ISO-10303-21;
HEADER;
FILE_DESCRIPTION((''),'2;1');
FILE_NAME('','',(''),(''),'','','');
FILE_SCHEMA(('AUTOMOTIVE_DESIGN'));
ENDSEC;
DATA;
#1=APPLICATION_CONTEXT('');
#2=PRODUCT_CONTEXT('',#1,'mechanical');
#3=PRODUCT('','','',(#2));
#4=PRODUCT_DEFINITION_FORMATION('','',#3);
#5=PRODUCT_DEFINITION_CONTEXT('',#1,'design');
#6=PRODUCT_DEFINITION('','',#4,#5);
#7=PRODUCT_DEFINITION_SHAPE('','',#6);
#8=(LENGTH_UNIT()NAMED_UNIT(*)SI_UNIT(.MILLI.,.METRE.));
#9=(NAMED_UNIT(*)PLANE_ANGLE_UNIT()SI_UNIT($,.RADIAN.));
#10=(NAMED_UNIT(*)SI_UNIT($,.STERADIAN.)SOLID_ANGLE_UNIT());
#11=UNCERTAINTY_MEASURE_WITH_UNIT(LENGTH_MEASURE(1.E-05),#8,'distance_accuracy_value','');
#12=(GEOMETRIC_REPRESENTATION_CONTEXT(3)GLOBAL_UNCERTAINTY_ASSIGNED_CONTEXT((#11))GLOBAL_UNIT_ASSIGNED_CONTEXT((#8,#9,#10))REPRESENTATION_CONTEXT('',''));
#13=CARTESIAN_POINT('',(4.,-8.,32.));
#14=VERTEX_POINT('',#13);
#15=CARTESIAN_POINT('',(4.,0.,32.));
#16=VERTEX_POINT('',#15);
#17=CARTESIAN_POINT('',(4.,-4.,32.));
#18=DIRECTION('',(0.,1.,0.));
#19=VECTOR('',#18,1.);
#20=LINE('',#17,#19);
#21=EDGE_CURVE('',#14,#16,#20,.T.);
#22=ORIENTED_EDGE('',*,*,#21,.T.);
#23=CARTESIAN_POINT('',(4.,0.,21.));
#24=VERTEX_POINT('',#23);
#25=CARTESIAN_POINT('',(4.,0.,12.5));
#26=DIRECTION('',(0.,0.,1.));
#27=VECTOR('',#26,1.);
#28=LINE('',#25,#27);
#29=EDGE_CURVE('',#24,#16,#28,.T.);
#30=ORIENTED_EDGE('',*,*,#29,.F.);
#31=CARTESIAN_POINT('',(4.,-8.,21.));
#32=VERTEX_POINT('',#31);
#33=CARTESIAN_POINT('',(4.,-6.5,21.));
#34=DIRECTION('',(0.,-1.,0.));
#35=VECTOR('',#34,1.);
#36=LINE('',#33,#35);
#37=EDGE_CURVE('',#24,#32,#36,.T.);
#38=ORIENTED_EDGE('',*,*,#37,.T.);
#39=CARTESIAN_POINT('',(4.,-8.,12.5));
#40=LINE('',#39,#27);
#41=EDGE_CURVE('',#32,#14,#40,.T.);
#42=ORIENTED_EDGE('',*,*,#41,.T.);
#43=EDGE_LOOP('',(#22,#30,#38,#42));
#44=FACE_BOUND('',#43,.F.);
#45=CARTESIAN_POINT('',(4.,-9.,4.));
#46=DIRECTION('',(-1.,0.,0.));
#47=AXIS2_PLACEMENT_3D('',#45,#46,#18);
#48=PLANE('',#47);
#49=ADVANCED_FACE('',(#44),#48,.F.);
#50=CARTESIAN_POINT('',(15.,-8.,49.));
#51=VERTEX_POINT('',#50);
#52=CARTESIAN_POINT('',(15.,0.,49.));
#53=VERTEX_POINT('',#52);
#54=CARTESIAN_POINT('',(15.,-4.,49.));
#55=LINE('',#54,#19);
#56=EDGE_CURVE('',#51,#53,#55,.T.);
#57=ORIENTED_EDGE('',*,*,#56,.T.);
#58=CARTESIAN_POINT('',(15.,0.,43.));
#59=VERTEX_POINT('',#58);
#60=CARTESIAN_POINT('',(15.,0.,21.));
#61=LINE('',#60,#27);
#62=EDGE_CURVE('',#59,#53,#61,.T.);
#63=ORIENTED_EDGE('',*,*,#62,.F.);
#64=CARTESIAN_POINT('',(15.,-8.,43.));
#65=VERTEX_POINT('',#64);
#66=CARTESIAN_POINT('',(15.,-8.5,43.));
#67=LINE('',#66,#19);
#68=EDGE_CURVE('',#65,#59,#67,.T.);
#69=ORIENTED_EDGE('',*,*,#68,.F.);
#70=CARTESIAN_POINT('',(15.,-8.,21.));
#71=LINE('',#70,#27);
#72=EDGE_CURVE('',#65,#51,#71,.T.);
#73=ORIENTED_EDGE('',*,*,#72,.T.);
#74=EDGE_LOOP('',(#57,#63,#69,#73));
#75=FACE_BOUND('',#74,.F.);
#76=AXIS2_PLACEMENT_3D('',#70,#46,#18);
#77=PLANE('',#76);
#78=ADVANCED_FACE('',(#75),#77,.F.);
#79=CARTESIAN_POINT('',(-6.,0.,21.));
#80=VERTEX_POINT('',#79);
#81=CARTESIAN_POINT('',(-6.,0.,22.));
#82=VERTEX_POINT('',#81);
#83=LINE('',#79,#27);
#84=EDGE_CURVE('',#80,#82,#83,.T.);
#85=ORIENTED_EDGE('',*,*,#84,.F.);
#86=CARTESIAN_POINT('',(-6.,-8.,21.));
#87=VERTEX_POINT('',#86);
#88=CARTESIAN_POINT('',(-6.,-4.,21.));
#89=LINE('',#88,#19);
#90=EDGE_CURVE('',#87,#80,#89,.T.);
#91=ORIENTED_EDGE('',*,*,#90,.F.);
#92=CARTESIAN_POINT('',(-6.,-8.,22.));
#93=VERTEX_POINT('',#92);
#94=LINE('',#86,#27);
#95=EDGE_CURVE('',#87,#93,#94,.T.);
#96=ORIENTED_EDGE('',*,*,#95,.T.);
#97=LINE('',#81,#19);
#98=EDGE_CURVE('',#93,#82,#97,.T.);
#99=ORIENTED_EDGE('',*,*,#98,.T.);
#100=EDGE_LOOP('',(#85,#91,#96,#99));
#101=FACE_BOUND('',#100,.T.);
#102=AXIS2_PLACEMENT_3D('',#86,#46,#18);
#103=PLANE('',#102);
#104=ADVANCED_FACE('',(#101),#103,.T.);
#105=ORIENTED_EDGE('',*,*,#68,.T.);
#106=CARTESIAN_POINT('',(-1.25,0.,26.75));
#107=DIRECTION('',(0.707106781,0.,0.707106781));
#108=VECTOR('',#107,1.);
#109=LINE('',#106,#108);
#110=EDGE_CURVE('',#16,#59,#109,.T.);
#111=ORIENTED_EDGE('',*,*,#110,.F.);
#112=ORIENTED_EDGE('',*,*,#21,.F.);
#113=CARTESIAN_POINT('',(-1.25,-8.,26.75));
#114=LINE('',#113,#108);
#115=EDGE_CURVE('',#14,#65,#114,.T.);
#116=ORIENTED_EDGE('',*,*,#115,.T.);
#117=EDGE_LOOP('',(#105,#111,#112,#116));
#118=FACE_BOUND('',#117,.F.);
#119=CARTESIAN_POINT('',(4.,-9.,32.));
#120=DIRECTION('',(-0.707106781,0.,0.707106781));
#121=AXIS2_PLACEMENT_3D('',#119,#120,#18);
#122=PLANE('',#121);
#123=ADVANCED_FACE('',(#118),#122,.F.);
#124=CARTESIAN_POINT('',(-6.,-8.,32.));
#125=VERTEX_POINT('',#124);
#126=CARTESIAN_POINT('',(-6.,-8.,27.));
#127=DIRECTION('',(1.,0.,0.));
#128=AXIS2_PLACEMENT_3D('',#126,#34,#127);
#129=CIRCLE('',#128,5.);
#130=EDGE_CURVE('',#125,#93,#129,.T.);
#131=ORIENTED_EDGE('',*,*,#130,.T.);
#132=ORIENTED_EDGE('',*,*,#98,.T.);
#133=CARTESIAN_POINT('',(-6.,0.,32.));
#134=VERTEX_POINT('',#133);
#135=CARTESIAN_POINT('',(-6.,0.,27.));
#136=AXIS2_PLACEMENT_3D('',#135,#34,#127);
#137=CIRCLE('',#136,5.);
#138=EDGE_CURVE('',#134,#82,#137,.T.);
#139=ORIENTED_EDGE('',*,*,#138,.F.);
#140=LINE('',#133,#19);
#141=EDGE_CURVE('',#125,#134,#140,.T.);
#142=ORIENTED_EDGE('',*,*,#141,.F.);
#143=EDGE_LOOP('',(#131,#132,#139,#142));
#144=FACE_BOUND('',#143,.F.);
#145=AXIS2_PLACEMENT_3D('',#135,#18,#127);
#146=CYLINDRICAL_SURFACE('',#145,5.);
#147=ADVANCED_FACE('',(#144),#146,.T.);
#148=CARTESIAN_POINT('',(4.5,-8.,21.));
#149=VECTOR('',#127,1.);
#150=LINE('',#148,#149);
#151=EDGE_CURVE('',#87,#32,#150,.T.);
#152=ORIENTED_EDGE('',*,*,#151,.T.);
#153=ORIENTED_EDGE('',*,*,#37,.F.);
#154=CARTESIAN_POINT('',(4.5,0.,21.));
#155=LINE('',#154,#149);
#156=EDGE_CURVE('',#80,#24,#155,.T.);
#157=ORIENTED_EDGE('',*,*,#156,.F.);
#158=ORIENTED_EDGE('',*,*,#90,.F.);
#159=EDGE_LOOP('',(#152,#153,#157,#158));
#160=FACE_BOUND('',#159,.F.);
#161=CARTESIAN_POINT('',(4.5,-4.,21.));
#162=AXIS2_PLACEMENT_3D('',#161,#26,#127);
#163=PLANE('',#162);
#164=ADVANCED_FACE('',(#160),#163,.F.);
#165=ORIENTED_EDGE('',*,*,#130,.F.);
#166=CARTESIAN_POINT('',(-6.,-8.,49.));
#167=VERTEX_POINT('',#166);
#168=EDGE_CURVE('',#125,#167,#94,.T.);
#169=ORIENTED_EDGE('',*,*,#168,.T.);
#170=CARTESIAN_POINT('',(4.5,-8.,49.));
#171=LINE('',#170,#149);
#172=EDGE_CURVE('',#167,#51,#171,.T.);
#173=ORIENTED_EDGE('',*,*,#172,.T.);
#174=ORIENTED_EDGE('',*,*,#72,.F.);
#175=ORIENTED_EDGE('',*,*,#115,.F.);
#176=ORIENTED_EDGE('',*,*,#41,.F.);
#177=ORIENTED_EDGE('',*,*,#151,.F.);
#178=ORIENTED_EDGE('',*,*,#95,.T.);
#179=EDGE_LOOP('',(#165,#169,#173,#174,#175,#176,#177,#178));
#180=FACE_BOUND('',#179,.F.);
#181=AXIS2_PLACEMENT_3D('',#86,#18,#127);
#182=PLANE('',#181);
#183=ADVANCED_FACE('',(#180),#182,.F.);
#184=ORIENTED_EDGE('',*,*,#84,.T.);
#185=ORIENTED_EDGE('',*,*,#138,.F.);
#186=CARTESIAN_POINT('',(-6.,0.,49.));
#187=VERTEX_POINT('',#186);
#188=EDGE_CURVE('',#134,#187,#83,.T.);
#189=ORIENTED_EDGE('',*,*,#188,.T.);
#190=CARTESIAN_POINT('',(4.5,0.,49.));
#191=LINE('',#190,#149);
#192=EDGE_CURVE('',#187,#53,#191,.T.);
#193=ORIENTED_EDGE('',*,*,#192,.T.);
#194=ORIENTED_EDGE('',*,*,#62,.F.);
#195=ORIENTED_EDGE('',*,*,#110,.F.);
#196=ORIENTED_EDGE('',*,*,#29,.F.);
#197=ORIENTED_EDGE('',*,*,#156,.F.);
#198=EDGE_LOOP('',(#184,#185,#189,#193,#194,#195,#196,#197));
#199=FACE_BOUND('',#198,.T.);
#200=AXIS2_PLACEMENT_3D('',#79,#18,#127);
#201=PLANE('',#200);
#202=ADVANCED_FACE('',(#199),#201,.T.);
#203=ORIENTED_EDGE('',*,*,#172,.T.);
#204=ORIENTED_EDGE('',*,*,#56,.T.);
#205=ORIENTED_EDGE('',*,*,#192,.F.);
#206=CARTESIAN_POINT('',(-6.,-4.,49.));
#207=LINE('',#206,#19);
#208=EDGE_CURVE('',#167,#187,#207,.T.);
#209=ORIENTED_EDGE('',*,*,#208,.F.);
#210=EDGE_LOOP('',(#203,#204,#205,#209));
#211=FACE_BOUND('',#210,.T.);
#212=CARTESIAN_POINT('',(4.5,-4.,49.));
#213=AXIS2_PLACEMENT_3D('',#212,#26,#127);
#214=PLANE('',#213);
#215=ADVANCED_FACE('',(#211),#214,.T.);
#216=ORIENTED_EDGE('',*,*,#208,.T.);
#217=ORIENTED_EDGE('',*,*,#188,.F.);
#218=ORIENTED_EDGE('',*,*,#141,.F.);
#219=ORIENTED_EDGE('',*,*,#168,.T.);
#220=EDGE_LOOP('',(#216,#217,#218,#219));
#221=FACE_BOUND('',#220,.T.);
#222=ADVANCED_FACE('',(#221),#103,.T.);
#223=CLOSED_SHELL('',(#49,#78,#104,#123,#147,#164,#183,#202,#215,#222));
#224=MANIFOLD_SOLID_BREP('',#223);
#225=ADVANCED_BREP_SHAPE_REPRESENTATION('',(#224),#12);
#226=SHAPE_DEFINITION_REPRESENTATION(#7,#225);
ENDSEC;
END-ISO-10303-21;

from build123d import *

# Parameters (mm, degrees)
CYLINDER189_R               = 5
CYLINDER189_DEPTH           = 8
CYLINDER189_ROLL_ANGLE      = 90
BOX001027045139_W           = 21
BOX001027045139_H           = 10
BOX001027045139_DEPTH       = 28
BOX001027045139_PITCH_ANGLE = 45
BOX001027045138_W           = 21
BOX001027045138_H           = 10
BOX001027045138_DEPTH       = 28
BOX001027045137_W           = 21
BOX001027045137_H           = 8
BOX001027045137_DEPTH       = 28


with BuildPart() as screw_bump_top:
    # Cylinder189 → Cylinder189 (new body)
    with BuildSketch(Plane.XY):
        Circle(CYLINDER189_R)
    extrude(amount=CYLINDER189_DEPTH)


with BuildPart() as screw_bump_top_1:
    # Cylinder189 roll: moved
    add(screw_bump_top.part.rotate(Axis((0, 0, 0), (1, 0, 0)), CYLINDER189_ROLL_ANGLE))


with BuildPart() as screw_bump_top_2:
    # Cylinder189 placement: moved
    add(screw_bump_top_1.part.moved(Location((-6, 0, -1))))


with BuildPart() as cube192:
    # Box001027045139 → Box001027045139 (new body)
    with BuildSketch(Plane.XY):
        with Locations((10.5, 5)):
            Rectangle(BOX001027045139_W, BOX001027045139_H)
    extrude(amount=BOX001027045139_DEPTH)


with BuildPart() as cube192_1:
    # Box001027045139 pitch: moved
    add(cube192.part.rotate(Axis((0, 0, 0), (0, 1, 0)), BOX001027045139_PITCH_ANGLE))


with BuildPart() as cube192_2:
    # Box001027045139 placement: moved
    add(cube192_1.part.moved(Location((-6, -9, 21))))


with BuildPart() as fusion112087:
    # Box001027045138 → Box001027045138 (new body)
    with BuildSketch(Plane(origin=(-6, -9, -7), x_dir=(1, 0, 0), z_dir=(0, 0, 1))):
        with Locations((10.5, 5)):
            Rectangle(BOX001027045138_W, BOX001027045138_H)
    extrude(amount=BOX001027045138_DEPTH)

    # Fusion112087: union Cube192
    add(cube192_2.part)


with BuildPart() as fusion112087_1:
    # Fusion112087 placement: moved
    add(fusion112087.part.moved(Location((10, 0, -17))))


with BuildPart() as top_ghost:
    # Box001027045137 → Box001027045137 (new body)
    with BuildSketch(Plane(origin=(-6, -8, -7), x_dir=(1, 0, 0), z_dir=(0, 0, 1))):
        with Locations((10.5, 4)):
            Rectangle(BOX001027045137_W, BOX001027045137_H)
    extrude(amount=BOX001027045137_DEPTH)

    # Cut160: cut Fusion112087
    add(fusion112087_1.part, mode=Mode.SUBTRACT)

    # Fusion112089: union screw-bump-top
    add(screw_bump_top_2.part)


with BuildPart() as top_ghost_1:
    # Fusion112089 placement: moved
    add(top_ghost.part.moved(Location((0, 0, 28))))


solid = top_ghost_1.part
